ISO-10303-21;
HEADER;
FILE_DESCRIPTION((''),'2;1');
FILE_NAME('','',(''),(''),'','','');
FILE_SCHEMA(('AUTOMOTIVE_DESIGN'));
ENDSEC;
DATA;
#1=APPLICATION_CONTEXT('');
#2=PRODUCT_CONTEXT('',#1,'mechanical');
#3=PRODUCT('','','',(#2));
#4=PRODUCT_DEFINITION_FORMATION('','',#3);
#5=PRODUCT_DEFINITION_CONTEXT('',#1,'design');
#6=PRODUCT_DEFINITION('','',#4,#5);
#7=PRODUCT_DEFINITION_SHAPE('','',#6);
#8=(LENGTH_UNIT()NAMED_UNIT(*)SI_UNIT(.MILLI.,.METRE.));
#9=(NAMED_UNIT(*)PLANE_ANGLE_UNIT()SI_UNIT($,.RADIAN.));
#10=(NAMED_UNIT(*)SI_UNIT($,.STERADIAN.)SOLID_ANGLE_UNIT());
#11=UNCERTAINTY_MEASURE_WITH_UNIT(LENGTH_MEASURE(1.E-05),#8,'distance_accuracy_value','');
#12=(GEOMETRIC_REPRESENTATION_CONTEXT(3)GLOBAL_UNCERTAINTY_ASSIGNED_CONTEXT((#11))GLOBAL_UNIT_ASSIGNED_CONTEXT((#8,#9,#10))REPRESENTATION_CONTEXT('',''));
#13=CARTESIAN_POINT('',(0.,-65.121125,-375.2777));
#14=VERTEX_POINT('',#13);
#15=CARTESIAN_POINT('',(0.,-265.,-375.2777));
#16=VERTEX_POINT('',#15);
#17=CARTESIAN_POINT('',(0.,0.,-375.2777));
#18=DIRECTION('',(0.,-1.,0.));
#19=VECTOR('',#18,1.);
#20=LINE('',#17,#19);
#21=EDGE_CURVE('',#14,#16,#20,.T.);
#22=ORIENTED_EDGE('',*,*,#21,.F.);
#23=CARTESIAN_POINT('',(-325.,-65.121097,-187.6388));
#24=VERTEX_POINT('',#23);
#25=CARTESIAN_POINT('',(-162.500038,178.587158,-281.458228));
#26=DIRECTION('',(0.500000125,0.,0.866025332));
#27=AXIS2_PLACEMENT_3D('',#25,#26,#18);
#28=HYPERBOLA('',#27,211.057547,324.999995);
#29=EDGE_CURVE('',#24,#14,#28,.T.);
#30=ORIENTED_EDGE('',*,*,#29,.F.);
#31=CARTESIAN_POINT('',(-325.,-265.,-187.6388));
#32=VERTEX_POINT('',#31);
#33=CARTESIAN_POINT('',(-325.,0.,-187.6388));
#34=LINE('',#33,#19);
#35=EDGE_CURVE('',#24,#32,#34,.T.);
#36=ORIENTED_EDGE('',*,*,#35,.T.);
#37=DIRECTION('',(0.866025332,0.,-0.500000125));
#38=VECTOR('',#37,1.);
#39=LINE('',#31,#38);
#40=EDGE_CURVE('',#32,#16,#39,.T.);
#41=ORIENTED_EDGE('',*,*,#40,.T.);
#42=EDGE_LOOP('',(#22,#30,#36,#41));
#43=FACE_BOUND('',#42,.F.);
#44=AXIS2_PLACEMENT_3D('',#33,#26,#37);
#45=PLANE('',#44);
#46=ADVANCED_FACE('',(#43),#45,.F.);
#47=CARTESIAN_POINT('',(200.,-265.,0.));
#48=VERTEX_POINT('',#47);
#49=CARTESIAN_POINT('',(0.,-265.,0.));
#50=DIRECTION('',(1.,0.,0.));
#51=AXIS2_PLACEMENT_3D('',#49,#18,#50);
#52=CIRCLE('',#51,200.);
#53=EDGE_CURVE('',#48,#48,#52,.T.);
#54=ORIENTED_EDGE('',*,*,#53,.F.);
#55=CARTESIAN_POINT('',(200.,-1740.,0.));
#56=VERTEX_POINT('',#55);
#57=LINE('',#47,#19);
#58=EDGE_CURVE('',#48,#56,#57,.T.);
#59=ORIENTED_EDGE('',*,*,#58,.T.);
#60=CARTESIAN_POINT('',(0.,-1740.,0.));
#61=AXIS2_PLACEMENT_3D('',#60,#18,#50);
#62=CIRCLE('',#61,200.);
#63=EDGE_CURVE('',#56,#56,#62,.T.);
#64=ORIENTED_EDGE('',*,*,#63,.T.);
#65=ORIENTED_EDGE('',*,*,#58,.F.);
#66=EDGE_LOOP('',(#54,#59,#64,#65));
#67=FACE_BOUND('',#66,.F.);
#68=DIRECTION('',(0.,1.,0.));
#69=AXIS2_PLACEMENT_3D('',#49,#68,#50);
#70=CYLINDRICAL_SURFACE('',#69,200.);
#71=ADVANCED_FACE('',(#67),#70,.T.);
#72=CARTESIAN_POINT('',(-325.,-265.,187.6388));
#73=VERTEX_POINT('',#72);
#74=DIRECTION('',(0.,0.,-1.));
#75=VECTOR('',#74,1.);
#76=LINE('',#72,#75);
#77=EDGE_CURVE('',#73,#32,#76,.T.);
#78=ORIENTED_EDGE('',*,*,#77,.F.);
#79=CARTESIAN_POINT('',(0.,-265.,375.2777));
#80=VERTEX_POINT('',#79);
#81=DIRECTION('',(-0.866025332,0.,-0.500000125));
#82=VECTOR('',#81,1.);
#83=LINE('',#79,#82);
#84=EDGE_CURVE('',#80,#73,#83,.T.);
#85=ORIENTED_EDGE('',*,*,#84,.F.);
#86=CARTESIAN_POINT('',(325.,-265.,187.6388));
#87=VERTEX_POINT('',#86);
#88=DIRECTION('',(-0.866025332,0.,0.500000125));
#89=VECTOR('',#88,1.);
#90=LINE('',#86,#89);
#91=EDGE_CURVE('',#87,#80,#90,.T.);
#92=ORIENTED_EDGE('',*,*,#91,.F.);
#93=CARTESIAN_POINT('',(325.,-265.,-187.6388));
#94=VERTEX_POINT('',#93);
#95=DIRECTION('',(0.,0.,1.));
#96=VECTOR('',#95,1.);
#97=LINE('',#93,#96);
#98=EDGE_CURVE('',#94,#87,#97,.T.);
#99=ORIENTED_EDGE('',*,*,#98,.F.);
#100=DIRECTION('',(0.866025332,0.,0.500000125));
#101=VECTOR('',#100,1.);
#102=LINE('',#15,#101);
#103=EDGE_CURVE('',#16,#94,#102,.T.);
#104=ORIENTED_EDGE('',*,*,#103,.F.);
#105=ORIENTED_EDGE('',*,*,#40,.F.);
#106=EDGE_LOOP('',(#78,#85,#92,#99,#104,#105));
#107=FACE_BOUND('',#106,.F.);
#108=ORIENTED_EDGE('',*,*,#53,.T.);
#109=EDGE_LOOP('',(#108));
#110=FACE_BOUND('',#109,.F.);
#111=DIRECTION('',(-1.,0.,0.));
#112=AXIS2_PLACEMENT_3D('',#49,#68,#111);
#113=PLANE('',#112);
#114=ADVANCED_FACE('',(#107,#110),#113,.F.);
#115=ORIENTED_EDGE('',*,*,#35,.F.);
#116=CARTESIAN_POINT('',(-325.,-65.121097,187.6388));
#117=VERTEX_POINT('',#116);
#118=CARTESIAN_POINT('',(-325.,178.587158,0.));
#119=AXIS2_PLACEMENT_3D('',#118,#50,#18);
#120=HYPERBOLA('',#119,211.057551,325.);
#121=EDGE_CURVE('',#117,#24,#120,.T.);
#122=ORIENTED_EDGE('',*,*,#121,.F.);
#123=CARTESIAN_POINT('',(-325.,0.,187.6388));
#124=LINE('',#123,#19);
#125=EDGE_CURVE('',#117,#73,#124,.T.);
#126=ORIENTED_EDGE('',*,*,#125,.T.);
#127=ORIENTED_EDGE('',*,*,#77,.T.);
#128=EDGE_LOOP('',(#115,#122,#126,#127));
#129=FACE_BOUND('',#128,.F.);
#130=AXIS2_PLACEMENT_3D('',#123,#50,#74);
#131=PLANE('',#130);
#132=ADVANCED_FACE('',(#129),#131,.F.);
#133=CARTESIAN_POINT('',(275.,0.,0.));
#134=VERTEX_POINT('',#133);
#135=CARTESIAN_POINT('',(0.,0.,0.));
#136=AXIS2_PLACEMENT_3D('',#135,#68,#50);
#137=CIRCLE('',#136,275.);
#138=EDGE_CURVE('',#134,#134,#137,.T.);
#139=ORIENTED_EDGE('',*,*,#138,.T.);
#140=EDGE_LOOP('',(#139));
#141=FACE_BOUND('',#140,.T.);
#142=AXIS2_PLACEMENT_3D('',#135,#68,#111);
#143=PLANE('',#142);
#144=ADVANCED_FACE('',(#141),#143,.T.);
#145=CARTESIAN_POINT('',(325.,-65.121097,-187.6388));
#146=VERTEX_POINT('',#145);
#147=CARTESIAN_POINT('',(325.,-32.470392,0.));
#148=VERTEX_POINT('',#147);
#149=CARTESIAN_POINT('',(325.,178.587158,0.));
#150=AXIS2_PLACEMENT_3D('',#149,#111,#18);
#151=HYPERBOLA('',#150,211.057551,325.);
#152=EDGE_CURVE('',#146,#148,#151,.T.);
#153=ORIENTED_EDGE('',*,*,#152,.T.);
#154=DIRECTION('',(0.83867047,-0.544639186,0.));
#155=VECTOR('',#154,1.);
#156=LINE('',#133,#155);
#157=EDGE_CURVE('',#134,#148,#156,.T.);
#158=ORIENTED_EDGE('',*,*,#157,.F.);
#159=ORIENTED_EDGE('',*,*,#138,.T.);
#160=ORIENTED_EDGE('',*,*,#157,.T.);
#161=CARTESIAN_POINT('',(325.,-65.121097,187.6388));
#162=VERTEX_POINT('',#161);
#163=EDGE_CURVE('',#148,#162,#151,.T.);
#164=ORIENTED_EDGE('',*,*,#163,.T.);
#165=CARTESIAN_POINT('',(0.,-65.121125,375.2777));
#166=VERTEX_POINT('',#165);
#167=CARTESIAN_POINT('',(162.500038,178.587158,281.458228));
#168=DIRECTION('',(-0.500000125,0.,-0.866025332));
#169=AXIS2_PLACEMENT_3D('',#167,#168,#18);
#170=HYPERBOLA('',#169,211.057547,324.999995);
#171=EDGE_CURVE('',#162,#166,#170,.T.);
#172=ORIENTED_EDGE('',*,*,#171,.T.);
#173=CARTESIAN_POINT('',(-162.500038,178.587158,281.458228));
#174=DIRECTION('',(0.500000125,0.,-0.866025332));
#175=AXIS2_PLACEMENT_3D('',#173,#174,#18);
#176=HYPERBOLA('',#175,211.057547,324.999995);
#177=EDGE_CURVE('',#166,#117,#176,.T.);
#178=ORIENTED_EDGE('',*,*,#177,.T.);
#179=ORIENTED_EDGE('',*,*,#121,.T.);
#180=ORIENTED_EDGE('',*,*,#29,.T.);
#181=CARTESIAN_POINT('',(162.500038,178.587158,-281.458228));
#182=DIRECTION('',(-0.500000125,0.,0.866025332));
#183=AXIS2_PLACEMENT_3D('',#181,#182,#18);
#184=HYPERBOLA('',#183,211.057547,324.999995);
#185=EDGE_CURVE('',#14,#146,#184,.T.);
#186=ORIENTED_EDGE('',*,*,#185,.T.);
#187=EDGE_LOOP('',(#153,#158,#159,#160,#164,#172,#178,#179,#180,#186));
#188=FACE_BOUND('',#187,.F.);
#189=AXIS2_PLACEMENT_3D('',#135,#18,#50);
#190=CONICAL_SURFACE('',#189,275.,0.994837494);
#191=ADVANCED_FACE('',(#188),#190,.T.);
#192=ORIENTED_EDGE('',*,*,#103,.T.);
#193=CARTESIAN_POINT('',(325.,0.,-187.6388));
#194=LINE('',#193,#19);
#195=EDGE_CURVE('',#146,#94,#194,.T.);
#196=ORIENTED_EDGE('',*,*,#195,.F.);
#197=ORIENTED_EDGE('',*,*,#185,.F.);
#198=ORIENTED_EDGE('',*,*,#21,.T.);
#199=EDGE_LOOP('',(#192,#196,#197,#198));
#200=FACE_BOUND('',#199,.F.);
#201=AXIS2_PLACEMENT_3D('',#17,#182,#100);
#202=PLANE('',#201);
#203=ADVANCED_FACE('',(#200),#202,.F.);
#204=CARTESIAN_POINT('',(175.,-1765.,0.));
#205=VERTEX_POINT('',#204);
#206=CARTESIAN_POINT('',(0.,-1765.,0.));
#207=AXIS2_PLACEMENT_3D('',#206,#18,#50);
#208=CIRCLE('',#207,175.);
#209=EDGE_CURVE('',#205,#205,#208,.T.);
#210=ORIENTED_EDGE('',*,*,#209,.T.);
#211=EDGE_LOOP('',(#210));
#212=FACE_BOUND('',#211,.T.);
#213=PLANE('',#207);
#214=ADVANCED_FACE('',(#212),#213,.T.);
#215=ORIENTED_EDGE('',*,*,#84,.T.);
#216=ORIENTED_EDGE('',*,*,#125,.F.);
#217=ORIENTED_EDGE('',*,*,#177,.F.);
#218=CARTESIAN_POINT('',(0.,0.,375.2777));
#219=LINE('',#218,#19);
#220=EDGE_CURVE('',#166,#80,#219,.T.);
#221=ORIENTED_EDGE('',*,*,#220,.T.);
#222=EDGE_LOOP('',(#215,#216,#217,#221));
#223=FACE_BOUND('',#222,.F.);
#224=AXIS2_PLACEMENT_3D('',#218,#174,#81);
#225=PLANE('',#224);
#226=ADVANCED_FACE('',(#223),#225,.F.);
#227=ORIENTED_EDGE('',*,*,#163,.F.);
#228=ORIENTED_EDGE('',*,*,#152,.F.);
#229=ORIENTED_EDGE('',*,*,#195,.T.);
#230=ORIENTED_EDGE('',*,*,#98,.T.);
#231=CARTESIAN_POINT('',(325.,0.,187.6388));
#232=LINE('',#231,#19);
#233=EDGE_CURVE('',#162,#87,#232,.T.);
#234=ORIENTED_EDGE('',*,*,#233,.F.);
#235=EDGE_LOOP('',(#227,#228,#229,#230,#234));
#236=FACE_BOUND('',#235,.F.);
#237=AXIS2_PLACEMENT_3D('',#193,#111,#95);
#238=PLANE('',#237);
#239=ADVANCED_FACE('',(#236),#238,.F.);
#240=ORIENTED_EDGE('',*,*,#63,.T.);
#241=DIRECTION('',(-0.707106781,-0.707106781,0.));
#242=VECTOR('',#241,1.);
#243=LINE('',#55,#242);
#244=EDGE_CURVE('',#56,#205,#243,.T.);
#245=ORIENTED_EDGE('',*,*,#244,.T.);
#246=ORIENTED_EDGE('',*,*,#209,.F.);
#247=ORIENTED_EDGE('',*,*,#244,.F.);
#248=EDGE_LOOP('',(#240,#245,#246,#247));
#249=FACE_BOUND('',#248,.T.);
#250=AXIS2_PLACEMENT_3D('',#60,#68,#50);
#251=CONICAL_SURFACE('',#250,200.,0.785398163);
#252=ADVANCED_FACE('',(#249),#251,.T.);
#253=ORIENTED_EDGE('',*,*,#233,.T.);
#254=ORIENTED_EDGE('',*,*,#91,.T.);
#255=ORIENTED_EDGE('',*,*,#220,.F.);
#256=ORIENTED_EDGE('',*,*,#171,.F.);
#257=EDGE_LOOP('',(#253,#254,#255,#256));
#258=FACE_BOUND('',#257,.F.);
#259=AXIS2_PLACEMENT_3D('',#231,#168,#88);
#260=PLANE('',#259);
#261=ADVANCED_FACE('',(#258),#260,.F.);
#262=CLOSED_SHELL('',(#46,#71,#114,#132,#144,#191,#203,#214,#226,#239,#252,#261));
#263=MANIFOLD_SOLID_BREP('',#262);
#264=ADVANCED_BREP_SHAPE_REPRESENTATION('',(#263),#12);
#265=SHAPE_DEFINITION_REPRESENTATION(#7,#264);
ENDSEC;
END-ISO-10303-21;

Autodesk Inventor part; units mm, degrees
ref_plane "YZ Plane" through (0, 0, 0) normal (1, 0, 0) x (0, 1, 0)
ref_plane "XZ Plane" through (0, 0, 0) normal (0, 1, 0) x (-1, 0, 0)
sketch "Sketch1" plane through (0, 0, 0) normal (0, 1, 0) x (-1, 0, 0)
  line L0 (325, -187.6388) -> (0, -375.2777)
  line L1 (0, -375.2777) -> (-325, -187.6388)
  line L2 (-325, -187.6388) -> (-325, 187.6388)
  line L3 (-325, 187.6388) -> (0, 375.2777)
  line L4 (0, 375.2777) -> (325, 187.6388)
  line L5 (325, 187.6388) -> (325, -187.6388)
  point P0 (0, 0)
  point P1 (0, 0)
  point P2 (325, 0)
extrude "Extrusion1" add sketch "Sketch1" against normal blind 265
sketch "Sketch2" plane through (0, -265, 0) normal (0, -1, 0) x (1, 0, 0)
  circle A0 centre (0, 0) radius 200
  dimension "d4" = 400
extrude "Extrusion2" add sketch "Sketch2" along normal blind 1500
chamfer "Chamfer1" distance 25 angle 45 1 edges at (-200, -1765, 0)
ref_plane "Work Plane1" through (0, 0, 0) normal (0, 0, 1) x (1, 0, 0)
sketch "Sketch3" plane through (0, 0, 0) normal (0, 0, 1) x (1, 0, 0)
  point P0 (0, 0)
sketch "Sketch4" plane through (0, 0, 0) normal (0, 0, 1) x (1, 0, 0)
  line L0 (0, 0) -> (275, 0)
  line L1 (0, 0) -> (325, 0) projected
  line L2 (275, 0) -> (497.8484, -144.7195)
  line L3 (275, 0) -> (540.7163, 0) construction
  line L4 (497.8484, -144.7195) -> (497.8484, 0)
  line L5 (497.8484, 0) -> (275, 0)
  line L6 (0, -2118) -> (0, 353) projected
  dimension "d11" = 275
  dimension "d12" = 33
revolve "Revolution1" cut sketch "Sketch4" angle 360 about axis through (0, -10, 0) along (0, 1, 0)
